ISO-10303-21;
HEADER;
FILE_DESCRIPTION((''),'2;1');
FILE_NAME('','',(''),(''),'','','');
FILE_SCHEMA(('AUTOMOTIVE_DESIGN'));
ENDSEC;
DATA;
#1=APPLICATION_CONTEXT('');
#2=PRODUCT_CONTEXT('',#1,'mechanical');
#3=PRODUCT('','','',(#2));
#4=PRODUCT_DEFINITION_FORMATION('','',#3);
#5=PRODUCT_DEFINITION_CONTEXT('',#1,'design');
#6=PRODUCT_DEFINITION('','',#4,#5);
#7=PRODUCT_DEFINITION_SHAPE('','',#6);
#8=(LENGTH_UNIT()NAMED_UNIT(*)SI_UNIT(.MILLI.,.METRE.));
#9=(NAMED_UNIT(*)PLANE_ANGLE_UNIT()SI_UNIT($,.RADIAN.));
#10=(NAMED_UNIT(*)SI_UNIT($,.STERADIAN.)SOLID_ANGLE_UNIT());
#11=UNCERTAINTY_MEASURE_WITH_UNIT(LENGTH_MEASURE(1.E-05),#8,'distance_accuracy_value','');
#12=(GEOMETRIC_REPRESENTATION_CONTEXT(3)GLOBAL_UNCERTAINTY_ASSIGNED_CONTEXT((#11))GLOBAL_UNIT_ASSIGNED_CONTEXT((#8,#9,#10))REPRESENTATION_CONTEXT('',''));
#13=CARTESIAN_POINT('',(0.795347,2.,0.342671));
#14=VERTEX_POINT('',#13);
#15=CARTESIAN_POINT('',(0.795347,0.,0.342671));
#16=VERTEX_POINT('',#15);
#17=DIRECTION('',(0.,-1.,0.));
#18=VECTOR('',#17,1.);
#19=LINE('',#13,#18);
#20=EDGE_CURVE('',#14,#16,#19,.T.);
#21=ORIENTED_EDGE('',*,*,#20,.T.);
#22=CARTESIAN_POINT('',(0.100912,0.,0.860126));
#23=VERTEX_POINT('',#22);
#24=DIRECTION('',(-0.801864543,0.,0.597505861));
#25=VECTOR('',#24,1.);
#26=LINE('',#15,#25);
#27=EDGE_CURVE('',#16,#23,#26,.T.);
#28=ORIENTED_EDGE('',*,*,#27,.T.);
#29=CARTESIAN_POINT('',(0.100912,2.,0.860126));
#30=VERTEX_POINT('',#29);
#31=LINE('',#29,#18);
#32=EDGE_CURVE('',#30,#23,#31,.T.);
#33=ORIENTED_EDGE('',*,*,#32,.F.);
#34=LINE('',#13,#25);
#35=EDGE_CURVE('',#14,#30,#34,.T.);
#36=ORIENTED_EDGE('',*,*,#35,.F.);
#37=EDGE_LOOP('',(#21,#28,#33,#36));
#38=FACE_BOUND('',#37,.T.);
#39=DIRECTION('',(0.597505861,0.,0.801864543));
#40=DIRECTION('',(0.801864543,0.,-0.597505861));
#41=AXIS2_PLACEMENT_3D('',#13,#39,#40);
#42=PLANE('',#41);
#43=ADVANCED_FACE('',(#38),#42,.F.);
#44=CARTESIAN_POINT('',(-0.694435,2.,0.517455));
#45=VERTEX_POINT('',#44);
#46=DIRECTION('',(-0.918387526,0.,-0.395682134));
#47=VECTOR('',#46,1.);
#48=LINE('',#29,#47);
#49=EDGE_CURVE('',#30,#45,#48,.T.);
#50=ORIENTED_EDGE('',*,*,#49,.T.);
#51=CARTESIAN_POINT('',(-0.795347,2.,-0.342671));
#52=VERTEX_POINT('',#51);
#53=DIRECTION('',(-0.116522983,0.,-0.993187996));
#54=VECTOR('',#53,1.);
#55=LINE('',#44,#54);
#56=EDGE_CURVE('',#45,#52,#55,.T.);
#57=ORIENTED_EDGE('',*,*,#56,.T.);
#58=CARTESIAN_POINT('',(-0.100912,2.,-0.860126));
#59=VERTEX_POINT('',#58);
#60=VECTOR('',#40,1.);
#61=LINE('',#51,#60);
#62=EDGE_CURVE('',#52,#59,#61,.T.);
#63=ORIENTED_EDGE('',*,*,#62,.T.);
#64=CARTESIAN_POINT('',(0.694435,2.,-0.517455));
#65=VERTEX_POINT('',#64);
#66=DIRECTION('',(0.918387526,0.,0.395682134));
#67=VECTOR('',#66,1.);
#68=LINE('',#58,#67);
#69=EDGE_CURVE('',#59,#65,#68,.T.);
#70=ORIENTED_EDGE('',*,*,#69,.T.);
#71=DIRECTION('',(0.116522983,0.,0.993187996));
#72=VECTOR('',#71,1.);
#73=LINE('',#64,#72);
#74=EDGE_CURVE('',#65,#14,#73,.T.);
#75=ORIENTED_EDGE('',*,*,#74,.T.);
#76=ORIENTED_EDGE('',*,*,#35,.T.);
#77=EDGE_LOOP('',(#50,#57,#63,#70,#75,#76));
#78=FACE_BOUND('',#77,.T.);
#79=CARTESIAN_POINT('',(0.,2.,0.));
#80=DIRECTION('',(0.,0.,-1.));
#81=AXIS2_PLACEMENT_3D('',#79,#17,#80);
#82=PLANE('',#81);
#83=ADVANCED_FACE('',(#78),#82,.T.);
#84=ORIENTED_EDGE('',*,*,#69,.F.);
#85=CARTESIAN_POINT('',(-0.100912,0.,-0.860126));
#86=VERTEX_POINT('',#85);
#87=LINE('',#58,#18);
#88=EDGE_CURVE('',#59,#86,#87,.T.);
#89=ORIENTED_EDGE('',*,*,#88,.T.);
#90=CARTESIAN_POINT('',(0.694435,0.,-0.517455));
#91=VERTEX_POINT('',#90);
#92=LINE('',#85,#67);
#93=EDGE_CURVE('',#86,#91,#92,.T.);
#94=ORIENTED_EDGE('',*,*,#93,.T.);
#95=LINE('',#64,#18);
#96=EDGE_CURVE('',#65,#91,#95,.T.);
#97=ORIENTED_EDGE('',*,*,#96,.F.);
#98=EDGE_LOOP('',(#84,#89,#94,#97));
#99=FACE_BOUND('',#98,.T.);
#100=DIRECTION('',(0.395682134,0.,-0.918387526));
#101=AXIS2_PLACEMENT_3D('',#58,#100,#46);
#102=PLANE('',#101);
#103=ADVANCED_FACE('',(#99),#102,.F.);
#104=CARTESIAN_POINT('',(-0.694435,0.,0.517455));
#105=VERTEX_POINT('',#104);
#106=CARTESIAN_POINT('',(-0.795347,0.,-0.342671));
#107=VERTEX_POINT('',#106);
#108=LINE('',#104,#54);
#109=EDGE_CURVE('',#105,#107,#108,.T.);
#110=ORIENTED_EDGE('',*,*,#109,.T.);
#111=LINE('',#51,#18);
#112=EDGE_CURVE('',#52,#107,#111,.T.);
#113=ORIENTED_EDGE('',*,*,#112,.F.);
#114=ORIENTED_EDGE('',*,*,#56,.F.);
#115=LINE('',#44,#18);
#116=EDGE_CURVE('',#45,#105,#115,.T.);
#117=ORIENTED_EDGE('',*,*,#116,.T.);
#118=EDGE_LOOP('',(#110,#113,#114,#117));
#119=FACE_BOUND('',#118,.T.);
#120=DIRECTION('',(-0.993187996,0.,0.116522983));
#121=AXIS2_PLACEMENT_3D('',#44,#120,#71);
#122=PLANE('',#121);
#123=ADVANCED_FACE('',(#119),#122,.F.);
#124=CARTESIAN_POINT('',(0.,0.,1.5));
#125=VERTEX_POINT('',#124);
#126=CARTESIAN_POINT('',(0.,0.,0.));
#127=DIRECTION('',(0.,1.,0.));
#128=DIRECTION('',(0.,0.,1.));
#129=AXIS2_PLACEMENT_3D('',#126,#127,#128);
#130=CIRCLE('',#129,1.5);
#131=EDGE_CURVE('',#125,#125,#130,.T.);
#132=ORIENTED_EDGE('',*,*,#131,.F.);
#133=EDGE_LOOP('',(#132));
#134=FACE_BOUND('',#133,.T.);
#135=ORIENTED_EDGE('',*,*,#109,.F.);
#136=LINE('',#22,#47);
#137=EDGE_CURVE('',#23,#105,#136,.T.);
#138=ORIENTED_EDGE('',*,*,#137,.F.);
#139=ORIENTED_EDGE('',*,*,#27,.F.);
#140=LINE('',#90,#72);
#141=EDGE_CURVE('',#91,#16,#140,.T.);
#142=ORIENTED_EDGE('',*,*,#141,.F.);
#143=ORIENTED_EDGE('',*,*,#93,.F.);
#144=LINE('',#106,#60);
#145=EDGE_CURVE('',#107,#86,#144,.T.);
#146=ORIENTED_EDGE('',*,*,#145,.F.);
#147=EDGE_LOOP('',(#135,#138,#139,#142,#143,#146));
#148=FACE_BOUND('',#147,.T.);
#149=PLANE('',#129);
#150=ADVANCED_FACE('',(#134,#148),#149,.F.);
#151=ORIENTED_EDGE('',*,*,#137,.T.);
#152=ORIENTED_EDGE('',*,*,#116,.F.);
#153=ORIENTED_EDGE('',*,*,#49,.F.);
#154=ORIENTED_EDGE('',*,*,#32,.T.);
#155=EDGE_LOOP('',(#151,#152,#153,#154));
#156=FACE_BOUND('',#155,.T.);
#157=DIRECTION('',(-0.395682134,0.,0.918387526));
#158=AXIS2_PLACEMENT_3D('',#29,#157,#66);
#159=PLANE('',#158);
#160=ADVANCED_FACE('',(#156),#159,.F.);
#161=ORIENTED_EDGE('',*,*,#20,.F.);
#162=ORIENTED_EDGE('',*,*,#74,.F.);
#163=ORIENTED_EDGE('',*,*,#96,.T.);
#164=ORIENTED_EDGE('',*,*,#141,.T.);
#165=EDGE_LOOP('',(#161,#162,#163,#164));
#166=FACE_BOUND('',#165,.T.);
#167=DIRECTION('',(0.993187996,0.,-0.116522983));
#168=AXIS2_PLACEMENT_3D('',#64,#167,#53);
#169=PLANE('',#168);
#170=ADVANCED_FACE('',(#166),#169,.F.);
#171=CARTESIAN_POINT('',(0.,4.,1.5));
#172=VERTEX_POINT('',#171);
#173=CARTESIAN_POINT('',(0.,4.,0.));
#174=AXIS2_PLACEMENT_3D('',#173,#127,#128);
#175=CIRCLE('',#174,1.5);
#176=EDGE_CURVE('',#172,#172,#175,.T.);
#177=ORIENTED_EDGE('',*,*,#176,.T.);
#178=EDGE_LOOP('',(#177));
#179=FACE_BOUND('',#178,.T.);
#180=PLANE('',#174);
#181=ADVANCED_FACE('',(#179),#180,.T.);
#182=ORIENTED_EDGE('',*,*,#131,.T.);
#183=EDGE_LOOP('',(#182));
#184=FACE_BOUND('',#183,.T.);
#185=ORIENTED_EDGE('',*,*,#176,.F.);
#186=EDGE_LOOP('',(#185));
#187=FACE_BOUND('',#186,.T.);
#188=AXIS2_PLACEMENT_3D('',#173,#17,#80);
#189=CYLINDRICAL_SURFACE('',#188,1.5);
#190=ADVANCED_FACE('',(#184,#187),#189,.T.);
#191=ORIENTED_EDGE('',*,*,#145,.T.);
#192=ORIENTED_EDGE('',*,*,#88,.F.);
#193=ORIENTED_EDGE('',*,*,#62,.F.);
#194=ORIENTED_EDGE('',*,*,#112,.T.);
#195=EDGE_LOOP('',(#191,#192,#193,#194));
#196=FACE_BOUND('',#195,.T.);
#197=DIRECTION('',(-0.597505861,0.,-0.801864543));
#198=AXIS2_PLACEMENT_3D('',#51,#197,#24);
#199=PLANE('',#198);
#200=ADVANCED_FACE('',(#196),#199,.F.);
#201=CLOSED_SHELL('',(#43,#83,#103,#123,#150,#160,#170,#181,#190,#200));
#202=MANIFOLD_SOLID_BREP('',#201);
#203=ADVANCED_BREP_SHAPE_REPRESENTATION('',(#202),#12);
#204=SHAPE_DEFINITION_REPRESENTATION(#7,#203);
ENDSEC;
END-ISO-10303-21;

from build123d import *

# Parameters (mm, degrees)
SKETCH_1_R          = 1.5
EXTRUDE_1_DEPTH     = 4
CUT_EXTRUDE_1_DEPTH = 2


with BuildPart() as part:
    # 草图1 → 凸台-拉伸1 (new body)
    with BuildSketch(Plane(origin=(0, 0, 0), x_dir=(1, 0, 0), z_dir=(0, 1, 0))):
        with Locations(Location((0, 0, 0), (0, 0, 270))):
            Circle(SKETCH_1_R)
    extrude(amount=EXTRUDE_1_DEPTH)

    # 草图2 → 切除-拉伸1 (cut)
    with BuildSketch(Plane.XZ):
        Polygon((0.694435065, -0.517455255), (0.795346928, 0.34267078), (0.100911863, 0.860126035), (-0.694435065, 0.517455255), (-0.795346928, -0.34267078), (-0.100911863, -0.860126035), align=None)
    extrude(amount=-CUT_EXTRUDE_1_DEPTH, mode=Mode.SUBTRACT)


solid = part.part
